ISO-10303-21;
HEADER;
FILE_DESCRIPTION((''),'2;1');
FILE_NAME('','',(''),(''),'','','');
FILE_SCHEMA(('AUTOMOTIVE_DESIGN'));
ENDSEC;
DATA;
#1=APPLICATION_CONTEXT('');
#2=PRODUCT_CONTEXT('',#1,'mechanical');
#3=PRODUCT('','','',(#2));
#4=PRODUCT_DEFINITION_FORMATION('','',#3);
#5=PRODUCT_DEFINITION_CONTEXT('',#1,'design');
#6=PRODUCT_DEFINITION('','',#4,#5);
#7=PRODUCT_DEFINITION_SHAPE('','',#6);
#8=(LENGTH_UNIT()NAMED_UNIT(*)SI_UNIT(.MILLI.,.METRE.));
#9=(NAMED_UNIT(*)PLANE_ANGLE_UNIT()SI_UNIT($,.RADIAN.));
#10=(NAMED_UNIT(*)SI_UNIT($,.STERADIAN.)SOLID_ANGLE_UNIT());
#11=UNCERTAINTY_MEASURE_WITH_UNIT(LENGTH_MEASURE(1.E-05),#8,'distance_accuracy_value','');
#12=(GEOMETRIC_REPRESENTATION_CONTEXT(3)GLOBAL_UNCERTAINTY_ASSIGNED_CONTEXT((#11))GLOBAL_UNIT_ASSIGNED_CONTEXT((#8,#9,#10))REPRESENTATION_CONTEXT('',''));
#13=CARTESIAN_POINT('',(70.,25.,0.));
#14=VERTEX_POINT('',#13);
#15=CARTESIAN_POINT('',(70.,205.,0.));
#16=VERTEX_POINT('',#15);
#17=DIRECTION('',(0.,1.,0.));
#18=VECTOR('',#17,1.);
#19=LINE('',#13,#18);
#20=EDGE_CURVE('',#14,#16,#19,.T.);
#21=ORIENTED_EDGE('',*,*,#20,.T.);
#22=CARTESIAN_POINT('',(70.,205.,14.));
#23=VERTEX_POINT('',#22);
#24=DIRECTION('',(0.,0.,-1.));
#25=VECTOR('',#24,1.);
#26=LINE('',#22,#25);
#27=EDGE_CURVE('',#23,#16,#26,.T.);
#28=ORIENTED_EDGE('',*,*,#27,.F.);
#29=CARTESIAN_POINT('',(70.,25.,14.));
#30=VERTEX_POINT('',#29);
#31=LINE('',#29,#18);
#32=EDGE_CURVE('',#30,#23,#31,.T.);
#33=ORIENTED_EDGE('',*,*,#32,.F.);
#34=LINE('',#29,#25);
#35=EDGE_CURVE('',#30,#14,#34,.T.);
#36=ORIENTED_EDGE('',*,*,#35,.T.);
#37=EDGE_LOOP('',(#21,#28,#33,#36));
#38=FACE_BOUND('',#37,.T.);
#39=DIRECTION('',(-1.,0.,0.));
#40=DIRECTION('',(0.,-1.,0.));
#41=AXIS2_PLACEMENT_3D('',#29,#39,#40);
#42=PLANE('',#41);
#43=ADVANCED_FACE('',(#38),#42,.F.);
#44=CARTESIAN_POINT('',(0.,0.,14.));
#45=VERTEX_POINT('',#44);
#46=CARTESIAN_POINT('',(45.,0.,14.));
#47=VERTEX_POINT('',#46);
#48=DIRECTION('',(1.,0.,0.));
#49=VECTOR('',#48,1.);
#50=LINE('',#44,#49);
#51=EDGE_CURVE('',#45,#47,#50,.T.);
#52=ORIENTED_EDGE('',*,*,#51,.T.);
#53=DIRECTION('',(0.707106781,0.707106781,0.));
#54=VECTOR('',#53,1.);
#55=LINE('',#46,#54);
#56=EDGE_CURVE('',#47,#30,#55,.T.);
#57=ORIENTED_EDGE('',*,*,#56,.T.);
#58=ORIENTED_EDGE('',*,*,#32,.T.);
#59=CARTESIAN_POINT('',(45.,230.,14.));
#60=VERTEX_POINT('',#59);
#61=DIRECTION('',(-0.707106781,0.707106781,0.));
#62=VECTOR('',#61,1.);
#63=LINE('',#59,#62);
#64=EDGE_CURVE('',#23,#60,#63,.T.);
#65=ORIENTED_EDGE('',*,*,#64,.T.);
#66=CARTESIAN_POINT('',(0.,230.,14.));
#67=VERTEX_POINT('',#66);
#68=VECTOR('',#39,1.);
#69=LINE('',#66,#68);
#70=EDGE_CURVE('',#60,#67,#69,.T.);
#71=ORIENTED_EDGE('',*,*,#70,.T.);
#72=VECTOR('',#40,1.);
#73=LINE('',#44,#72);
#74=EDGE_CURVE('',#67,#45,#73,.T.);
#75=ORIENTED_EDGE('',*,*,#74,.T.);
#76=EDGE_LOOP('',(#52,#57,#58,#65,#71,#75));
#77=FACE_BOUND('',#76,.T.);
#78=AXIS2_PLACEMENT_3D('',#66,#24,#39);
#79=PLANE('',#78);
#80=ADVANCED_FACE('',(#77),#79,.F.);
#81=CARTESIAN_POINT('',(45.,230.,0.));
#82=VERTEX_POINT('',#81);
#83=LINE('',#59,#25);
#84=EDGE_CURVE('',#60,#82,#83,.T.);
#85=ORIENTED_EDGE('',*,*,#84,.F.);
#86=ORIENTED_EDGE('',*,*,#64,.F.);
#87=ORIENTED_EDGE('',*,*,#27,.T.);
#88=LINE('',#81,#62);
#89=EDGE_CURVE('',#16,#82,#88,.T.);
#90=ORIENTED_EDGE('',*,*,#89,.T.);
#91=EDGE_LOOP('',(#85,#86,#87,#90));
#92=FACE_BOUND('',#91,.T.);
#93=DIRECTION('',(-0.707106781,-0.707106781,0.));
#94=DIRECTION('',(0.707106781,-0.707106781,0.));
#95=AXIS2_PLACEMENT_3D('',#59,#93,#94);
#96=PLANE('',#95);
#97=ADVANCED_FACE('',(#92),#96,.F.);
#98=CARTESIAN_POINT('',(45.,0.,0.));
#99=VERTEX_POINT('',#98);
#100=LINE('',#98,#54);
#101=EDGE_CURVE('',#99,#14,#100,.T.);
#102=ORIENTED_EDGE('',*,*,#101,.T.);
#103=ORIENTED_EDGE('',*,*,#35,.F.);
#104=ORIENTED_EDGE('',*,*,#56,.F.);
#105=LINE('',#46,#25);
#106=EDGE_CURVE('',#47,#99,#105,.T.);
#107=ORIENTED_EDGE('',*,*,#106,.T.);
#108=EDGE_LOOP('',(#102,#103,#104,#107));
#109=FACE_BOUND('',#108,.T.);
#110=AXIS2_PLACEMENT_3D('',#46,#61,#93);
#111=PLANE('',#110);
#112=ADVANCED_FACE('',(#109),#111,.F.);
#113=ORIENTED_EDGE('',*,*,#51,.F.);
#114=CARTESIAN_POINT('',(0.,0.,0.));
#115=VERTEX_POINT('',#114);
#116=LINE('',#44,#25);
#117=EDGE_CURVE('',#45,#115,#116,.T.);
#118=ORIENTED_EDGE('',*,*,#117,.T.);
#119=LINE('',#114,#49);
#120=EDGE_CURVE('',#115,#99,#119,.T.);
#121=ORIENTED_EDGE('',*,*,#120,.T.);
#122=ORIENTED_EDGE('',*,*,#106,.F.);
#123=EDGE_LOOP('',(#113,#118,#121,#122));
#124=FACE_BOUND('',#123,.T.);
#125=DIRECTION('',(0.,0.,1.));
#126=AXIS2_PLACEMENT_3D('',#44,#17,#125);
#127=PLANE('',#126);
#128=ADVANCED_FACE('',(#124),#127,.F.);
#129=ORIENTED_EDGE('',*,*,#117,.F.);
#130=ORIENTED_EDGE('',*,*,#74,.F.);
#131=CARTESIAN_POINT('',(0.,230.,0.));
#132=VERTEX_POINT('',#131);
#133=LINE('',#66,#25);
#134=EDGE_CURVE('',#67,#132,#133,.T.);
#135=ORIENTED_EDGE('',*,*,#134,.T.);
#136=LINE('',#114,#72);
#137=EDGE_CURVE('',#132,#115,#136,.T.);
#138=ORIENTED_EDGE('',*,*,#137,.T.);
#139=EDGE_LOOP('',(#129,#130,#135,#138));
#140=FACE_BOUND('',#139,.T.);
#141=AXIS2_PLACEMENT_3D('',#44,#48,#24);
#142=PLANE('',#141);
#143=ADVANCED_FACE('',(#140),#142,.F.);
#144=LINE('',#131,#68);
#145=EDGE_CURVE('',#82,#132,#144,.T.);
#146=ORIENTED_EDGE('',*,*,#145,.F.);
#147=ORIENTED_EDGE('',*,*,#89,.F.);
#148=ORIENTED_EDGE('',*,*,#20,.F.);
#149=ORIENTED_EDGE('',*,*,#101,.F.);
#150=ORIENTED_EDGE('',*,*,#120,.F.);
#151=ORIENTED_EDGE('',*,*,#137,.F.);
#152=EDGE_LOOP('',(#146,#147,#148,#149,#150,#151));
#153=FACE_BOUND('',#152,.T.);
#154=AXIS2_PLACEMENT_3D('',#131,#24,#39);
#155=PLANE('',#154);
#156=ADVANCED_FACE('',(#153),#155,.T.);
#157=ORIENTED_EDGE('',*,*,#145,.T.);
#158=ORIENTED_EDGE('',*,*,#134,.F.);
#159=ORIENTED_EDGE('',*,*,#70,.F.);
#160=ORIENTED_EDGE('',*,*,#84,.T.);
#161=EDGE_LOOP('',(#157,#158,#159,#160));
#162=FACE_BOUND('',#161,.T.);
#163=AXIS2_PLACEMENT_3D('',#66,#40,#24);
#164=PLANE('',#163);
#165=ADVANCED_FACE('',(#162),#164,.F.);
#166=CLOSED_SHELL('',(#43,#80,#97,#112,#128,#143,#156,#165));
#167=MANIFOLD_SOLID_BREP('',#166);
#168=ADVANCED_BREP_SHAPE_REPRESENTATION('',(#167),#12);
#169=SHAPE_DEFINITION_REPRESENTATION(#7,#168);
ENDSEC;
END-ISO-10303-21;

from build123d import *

# Parameters (mm, degrees)
EXTRUDE_392_DEPTH = 14


with BuildPart() as part:
    # 草图1 → Extrude 392 (new body)
    with BuildSketch(Plane.XY):
        Polygon((0, 0), (45, 0), (70, 25), (70, 205), (45, 230), (0, 230), align=None)
    extrude(amount=EXTRUDE_392_DEPTH)


solid = part.part
